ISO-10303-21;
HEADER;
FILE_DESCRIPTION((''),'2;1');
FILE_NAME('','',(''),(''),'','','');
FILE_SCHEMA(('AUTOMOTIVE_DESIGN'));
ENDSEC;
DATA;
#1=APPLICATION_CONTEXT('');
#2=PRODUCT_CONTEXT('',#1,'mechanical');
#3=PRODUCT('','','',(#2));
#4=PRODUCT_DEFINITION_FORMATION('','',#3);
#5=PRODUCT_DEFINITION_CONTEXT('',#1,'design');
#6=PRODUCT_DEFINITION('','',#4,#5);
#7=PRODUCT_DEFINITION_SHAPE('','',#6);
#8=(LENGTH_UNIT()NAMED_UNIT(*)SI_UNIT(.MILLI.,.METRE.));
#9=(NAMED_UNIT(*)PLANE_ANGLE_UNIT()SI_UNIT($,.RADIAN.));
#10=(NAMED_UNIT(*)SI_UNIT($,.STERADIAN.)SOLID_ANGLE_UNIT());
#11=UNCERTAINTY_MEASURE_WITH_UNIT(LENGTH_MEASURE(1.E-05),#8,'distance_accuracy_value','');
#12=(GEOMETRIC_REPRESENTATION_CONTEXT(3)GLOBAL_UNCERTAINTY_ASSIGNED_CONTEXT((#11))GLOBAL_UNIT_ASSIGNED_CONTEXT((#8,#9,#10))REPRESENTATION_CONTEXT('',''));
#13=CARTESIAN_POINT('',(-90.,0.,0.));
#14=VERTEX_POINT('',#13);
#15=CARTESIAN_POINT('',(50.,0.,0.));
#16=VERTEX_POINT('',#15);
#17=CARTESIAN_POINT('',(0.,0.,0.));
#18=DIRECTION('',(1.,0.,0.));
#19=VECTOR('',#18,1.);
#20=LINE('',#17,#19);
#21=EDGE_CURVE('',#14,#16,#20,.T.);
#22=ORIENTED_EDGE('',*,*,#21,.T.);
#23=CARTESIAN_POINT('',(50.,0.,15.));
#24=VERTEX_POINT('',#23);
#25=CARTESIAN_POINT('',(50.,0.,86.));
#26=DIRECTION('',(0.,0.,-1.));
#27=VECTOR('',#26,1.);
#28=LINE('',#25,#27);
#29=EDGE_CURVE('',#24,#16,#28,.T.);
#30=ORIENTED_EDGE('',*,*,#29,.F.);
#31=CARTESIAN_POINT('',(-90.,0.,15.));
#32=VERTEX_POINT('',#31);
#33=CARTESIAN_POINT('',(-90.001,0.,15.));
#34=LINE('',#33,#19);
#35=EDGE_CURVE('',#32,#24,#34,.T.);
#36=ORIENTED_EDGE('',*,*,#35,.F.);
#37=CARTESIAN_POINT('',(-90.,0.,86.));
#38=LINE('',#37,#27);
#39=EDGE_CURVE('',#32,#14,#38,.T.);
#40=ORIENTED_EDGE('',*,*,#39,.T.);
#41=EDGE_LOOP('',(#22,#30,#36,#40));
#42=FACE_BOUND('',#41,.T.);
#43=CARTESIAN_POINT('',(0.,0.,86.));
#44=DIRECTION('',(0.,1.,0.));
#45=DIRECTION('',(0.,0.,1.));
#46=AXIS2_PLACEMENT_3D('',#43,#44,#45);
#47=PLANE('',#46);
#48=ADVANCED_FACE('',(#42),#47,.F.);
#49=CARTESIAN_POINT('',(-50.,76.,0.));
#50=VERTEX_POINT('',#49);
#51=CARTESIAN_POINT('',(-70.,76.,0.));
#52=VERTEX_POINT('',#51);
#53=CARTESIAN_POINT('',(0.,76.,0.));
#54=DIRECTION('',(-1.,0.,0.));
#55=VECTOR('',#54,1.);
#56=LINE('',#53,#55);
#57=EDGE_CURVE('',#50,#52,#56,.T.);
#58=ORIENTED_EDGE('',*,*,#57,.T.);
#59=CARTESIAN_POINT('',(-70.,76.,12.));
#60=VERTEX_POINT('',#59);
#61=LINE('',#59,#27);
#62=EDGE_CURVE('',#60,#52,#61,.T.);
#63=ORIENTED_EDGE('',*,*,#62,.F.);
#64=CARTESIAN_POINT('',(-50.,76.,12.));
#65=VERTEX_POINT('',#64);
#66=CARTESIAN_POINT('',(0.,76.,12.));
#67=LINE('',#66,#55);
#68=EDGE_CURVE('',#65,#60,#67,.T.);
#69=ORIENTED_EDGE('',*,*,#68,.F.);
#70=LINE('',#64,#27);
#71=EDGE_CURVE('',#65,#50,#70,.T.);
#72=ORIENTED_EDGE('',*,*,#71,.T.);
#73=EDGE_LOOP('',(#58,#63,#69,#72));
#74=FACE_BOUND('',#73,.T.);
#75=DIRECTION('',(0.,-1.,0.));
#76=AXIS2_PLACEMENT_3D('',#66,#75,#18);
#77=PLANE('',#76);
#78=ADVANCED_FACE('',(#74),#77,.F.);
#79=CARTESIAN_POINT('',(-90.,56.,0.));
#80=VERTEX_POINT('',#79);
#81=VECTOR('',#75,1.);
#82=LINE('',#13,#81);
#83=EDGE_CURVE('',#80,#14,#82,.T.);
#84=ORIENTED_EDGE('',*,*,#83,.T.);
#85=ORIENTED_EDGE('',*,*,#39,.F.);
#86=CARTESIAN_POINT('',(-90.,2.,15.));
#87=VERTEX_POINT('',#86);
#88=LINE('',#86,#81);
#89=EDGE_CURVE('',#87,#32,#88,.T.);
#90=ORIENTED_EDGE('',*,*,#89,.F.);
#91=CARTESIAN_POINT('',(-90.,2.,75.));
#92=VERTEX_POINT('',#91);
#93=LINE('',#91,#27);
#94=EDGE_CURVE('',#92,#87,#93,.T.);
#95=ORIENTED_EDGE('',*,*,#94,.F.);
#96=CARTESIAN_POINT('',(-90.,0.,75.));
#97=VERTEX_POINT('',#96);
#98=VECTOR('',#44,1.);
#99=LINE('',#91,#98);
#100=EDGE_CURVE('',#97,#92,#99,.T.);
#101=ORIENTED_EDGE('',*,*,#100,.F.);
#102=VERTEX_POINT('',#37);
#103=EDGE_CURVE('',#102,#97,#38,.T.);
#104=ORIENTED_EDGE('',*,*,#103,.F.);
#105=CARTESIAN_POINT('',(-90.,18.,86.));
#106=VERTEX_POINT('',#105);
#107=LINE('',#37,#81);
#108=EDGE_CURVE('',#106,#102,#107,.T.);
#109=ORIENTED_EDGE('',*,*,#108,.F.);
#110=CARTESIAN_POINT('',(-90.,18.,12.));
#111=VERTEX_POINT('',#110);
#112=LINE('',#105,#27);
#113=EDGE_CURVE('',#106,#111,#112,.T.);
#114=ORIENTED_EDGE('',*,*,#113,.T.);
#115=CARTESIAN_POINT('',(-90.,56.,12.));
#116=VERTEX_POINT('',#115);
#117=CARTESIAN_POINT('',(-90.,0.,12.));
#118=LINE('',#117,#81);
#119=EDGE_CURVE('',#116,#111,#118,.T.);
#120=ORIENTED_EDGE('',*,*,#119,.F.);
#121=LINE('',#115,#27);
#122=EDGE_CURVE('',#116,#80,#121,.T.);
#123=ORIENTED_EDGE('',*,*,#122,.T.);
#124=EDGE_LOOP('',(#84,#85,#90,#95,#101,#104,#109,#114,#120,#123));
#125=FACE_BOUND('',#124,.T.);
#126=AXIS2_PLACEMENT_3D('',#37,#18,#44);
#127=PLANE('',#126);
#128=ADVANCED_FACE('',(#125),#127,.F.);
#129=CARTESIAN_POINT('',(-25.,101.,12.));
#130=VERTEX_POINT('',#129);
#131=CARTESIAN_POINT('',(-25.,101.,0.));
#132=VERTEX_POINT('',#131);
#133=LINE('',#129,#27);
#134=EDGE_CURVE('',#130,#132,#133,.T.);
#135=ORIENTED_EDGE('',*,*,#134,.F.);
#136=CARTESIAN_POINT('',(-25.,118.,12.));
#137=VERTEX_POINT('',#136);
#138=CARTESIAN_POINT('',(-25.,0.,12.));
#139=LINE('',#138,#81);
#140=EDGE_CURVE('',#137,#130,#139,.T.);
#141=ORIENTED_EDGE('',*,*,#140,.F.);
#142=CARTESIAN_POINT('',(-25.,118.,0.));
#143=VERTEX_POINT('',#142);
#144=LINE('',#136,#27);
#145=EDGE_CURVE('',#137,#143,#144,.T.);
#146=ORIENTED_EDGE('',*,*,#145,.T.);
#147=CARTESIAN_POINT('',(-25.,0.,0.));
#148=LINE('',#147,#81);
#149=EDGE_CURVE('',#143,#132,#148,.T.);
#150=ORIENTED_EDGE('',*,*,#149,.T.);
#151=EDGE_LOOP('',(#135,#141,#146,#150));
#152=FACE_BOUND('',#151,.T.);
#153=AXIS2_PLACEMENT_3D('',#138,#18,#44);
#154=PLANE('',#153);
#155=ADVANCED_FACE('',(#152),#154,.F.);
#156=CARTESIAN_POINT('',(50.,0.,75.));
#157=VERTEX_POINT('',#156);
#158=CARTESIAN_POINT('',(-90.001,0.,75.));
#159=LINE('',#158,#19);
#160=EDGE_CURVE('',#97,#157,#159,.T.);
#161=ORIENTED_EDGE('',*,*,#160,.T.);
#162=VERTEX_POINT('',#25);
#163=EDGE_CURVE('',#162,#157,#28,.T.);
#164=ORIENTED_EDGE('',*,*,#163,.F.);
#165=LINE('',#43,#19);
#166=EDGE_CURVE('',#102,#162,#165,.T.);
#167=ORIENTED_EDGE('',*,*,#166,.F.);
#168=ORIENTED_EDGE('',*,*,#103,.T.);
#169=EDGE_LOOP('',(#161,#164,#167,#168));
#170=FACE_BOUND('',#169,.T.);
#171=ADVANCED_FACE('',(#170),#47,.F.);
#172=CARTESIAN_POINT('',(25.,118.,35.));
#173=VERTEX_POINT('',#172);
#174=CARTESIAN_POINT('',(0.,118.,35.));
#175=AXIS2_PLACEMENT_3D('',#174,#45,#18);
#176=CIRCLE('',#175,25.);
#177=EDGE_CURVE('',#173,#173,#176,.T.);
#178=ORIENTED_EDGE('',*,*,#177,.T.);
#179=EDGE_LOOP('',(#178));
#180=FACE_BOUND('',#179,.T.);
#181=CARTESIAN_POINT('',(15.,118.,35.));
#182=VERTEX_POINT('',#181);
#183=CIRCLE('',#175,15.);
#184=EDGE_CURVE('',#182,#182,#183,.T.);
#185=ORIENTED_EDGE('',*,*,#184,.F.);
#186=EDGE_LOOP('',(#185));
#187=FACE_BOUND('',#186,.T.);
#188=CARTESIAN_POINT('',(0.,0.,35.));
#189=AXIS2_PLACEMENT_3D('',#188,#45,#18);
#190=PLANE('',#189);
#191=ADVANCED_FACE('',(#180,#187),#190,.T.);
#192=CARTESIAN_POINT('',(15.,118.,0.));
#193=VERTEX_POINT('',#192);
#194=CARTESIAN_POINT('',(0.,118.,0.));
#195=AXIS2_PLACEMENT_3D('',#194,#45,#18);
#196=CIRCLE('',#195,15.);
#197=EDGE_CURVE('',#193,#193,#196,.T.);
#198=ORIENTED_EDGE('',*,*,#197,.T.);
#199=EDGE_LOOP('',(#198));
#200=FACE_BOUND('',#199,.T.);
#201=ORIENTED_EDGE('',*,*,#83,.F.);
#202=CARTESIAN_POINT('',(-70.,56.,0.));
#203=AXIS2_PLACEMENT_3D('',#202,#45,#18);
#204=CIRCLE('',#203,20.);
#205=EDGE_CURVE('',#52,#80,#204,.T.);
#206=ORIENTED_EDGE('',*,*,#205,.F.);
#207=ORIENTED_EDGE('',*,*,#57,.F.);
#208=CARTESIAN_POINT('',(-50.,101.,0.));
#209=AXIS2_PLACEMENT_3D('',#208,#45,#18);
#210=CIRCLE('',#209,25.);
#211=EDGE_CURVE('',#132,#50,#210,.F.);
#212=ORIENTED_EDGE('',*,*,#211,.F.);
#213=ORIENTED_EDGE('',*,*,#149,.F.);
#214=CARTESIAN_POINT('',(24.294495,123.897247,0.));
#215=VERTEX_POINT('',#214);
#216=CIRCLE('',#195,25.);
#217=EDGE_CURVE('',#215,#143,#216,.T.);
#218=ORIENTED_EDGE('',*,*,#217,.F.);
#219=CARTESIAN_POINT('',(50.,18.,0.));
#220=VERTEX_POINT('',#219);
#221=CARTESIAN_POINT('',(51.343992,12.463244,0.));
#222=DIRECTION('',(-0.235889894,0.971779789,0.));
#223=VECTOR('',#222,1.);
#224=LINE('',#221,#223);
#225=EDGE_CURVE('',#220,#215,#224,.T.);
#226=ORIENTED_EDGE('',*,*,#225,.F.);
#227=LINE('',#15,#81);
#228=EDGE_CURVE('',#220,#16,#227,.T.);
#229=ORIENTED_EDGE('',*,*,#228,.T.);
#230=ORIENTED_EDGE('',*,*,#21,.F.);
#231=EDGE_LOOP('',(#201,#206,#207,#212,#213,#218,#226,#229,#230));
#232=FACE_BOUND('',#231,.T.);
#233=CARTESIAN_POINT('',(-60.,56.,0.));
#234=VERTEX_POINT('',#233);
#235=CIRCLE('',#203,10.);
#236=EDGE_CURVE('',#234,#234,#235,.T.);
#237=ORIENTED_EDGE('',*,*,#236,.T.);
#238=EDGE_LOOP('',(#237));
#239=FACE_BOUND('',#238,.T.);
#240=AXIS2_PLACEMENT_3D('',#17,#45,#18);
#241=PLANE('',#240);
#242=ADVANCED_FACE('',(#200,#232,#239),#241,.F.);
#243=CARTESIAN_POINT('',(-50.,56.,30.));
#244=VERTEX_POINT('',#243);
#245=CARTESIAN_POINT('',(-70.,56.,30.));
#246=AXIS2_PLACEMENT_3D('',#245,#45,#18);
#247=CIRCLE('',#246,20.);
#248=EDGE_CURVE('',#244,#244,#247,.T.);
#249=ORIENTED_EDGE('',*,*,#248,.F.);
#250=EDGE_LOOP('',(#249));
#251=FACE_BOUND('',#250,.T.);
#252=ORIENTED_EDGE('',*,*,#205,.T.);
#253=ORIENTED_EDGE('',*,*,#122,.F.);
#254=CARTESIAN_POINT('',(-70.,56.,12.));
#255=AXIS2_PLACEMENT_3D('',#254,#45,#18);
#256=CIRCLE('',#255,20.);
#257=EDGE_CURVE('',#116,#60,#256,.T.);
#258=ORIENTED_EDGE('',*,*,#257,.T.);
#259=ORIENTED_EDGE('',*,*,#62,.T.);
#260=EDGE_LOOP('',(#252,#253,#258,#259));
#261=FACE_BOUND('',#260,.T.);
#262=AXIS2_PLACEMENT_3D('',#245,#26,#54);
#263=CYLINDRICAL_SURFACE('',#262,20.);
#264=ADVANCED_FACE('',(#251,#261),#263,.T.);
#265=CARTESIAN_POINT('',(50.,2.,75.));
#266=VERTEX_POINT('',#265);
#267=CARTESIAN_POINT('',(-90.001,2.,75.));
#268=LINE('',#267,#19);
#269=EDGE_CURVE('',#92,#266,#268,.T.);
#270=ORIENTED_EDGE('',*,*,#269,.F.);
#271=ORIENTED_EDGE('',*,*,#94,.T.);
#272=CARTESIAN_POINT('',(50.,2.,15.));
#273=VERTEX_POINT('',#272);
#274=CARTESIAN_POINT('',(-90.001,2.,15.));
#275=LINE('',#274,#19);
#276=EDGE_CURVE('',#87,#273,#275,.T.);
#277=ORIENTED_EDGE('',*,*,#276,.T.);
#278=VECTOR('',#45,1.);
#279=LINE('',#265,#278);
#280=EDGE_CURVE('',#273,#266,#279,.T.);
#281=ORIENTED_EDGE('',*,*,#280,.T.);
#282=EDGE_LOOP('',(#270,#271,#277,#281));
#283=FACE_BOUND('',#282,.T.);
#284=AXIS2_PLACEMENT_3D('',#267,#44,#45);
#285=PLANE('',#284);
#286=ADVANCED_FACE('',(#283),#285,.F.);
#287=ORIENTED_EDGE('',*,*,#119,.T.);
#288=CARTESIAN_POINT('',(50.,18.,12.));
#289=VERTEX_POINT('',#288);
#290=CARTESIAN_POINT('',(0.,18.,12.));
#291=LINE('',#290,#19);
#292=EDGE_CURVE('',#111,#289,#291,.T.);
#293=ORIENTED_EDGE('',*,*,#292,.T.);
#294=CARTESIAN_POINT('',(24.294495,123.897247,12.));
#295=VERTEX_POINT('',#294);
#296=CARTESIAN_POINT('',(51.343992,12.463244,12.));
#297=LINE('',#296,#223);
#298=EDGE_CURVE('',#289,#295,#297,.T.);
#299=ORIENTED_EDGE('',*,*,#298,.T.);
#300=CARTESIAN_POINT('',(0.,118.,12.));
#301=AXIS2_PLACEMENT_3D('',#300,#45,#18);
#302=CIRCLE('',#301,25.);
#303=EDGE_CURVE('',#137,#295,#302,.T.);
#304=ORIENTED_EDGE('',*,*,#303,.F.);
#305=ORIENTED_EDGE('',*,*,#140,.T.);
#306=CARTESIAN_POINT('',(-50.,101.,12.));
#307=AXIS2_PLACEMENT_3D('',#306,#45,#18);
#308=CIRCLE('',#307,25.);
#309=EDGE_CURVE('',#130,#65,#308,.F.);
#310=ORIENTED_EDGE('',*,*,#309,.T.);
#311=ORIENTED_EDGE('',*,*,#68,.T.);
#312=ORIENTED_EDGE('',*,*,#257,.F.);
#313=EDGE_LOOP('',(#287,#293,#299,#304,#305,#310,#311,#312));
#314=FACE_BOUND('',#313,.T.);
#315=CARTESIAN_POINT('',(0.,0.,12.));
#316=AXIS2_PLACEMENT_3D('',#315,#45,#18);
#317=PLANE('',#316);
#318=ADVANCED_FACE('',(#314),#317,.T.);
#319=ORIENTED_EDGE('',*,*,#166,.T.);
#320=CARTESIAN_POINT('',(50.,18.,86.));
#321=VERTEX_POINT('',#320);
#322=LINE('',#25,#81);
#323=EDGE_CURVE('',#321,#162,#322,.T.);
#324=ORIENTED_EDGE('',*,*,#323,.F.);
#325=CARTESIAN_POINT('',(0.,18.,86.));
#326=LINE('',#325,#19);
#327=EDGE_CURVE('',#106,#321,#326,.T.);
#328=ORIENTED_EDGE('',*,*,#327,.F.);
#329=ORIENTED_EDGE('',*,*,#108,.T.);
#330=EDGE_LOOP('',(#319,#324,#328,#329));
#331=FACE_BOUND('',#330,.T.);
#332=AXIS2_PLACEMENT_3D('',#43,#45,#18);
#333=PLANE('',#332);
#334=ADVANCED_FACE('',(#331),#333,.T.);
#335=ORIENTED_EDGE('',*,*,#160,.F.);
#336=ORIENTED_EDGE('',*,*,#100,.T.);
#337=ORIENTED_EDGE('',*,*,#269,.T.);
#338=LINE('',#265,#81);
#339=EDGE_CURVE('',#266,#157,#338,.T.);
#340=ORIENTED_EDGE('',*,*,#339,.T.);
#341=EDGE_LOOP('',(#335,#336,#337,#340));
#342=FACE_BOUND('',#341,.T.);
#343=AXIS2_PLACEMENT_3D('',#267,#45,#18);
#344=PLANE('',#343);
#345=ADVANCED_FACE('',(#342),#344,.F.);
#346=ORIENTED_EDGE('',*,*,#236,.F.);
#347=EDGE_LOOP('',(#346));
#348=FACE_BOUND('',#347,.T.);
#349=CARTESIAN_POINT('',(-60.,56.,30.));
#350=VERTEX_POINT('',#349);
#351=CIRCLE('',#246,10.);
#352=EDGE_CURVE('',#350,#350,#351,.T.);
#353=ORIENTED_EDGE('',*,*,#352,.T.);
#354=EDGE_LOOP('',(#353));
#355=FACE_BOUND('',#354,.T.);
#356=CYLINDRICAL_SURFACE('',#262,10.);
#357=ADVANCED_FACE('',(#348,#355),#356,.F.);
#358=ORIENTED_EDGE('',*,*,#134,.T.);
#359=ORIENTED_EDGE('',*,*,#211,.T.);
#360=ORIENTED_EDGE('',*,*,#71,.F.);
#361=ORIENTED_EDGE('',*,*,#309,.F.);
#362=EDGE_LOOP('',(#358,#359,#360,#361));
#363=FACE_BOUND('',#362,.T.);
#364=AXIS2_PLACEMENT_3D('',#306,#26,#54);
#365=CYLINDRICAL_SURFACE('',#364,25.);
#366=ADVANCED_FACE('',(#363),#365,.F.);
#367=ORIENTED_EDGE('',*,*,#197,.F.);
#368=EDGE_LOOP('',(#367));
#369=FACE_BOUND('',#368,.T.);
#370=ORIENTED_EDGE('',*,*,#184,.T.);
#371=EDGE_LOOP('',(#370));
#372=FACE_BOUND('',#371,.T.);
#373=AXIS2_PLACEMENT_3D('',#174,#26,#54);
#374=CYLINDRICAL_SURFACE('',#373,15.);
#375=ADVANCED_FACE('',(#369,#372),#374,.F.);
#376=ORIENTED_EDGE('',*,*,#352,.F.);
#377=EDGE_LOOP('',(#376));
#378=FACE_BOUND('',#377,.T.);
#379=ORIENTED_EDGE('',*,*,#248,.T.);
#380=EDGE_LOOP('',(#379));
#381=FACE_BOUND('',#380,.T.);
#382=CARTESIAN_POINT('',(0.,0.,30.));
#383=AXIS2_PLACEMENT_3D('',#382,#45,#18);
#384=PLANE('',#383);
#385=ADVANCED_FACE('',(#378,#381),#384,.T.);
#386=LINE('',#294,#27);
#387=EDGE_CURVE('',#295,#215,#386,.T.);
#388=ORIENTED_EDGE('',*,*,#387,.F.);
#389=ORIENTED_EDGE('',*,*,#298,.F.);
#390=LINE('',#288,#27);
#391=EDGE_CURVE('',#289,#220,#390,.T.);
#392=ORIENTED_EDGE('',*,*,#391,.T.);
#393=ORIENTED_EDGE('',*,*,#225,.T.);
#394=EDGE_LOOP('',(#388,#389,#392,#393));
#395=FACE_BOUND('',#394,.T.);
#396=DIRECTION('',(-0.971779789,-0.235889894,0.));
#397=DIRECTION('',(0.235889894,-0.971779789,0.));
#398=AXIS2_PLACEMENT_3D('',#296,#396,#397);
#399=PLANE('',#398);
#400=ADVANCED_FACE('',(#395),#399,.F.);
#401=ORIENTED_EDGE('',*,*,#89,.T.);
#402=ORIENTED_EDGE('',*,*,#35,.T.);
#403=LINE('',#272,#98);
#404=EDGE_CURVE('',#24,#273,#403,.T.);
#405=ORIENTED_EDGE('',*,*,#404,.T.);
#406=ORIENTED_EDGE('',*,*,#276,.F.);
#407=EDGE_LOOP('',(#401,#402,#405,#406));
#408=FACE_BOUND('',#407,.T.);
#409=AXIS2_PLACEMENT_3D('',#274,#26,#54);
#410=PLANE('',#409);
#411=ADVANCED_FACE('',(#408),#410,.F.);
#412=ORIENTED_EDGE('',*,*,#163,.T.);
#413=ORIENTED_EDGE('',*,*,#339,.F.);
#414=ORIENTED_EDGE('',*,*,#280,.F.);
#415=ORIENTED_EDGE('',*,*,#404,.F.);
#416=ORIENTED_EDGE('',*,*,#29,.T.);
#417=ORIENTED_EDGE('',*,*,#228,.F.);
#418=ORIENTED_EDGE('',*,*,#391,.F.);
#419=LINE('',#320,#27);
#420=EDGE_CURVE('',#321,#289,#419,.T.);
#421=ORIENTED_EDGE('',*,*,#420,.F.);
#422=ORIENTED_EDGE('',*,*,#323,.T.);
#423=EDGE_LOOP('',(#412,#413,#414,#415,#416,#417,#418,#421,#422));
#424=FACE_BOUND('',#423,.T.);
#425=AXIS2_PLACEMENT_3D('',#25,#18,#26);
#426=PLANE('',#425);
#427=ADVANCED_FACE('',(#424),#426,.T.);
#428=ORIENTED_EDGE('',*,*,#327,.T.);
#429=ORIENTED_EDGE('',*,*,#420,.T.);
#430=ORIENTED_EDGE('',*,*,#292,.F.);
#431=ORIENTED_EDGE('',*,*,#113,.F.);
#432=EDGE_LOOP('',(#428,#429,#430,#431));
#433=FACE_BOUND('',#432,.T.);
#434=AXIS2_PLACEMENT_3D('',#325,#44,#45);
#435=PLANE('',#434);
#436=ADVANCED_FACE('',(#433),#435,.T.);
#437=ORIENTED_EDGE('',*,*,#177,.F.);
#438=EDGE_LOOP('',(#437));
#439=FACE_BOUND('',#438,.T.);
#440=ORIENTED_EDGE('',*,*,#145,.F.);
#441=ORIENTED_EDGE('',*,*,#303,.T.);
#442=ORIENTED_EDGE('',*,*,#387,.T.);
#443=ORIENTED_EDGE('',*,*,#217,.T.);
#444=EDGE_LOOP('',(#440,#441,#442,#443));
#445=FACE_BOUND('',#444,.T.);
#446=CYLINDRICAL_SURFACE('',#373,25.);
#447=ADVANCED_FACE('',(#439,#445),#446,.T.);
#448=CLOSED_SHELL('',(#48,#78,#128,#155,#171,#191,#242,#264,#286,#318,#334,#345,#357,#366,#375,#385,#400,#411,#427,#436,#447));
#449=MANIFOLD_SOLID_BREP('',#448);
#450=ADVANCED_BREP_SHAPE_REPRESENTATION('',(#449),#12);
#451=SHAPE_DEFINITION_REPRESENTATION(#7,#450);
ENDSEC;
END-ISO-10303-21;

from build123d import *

# Parameters (mm, degrees)
SKETCH1_W           = 140
SKETCH1_H           = 18
BOSS_EXTRUDE1_DEPTH = 86
BOSS_EXTRUDE2_DEPTH = 12
SKETCH1_4_R         = 15
BOSS_EXTRUDE3_DEPTH = 35
SKETCH1_5_R         = 10
BOSS_EXTRUDE4_DEPTH = 30
CUT_EXTRUDE1_REACH  = 219.819
SKETCH4_W           = 60
SKETCH4_H           = 2


with BuildPart() as part:
    # Sketch1 → Boss-Extrude1 (new body)
    with BuildSketch(Plane.XY):
        with Locations((-20, 9)):
            Rectangle(SKETCH1_W, SKETCH1_H)
    extrude(amount=BOSS_EXTRUDE1_DEPTH)

    # Sketch1<3> → Boss-Extrude2 (add)
    with BuildSketch(Plane.XY):
        with BuildLine():
            Line((-90, 18), (50, 18))
            Line((50, 18), (24.294494718, 123.897247359))
            ThreePointArc((24.294494718, 123.897247359), (24.822997079, 120.969649142), (25, 118))
            ThreePointArc((25, 118), (0, 93), (-25, 118))
            Line((-25, 118), (-25, 101))
            ThreePointArc((-25, 101), (-32.32233047, 83.32233047), (-50, 76))
            Line((-50, 76), (-70, 76))
            ThreePointArc((-70, 76), (-55.857864376, 70.142135624), (-50, 56))
            ThreePointArc((-50, 56), (-70, 36), (-90, 56))
            Line((-90, 56), (-90, 18))
        make_face()
    extrude(amount=BOSS_EXTRUDE2_DEPTH)

    # Sketch1<4> → Boss-Extrude3 (add)
    with BuildSketch(Plane.XY):
        with BuildLine():
            ThreePointArc((25, 118), (24.822997079, 120.969649142), (24.294494718, 123.897247359))
            ThreePointArc((24.294494718, 123.897247359), (-2.969649142, 142.822997079), (-25, 118))
            ThreePointArc((-25, 118), (0, 93), (25, 118))
        make_face()
        with Locations((0, 118)):
            Circle(SKETCH1_4_R, mode=Mode.SUBTRACT)
    extrude(amount=BOSS_EXTRUDE3_DEPTH)

    # Sketch1<5> → Boss-Extrude4 (add)
    with BuildSketch(Plane.XY):
        with BuildLine():
            ThreePointArc((-70, 76), (-84.142135624, 70.142135624), (-90, 56))
            ThreePointArc((-90, 56), (-70, 36), (-50, 56))
            ThreePointArc((-50, 56), (-55.857864376, 70.142135624), (-70, 76))
        make_face()
        with Locations((-70, 56)):
            Circle(SKETCH1_5_R, mode=Mode.SUBTRACT)
    extrude(amount=BOSS_EXTRUDE4_DEPTH)

    # Sketch4 → Cut-Extrude1 (cut, up to next)
    with BuildSketch(Plane(origin=(50, 0, 0), x_dir=(0, 0, -1), z_dir=(1, 0, 0)), mode=Mode.PRIVATE) as cut_extrude1_sk1:
        with Locations((-45, 1)):
            Rectangle(SKETCH4_W, SKETCH4_H)
    cut_extrude1_tool1 = extrude(cut_extrude1_sk1.sketch, amount=-CUT_EXTRUDE1_REACH, mode=Mode.PRIVATE) & part.part
    add(cut_extrude1_tool1.solids().sort_by_distance((50, 1, 45))[0], mode=Mode.SUBTRACT)


solid = part.part
